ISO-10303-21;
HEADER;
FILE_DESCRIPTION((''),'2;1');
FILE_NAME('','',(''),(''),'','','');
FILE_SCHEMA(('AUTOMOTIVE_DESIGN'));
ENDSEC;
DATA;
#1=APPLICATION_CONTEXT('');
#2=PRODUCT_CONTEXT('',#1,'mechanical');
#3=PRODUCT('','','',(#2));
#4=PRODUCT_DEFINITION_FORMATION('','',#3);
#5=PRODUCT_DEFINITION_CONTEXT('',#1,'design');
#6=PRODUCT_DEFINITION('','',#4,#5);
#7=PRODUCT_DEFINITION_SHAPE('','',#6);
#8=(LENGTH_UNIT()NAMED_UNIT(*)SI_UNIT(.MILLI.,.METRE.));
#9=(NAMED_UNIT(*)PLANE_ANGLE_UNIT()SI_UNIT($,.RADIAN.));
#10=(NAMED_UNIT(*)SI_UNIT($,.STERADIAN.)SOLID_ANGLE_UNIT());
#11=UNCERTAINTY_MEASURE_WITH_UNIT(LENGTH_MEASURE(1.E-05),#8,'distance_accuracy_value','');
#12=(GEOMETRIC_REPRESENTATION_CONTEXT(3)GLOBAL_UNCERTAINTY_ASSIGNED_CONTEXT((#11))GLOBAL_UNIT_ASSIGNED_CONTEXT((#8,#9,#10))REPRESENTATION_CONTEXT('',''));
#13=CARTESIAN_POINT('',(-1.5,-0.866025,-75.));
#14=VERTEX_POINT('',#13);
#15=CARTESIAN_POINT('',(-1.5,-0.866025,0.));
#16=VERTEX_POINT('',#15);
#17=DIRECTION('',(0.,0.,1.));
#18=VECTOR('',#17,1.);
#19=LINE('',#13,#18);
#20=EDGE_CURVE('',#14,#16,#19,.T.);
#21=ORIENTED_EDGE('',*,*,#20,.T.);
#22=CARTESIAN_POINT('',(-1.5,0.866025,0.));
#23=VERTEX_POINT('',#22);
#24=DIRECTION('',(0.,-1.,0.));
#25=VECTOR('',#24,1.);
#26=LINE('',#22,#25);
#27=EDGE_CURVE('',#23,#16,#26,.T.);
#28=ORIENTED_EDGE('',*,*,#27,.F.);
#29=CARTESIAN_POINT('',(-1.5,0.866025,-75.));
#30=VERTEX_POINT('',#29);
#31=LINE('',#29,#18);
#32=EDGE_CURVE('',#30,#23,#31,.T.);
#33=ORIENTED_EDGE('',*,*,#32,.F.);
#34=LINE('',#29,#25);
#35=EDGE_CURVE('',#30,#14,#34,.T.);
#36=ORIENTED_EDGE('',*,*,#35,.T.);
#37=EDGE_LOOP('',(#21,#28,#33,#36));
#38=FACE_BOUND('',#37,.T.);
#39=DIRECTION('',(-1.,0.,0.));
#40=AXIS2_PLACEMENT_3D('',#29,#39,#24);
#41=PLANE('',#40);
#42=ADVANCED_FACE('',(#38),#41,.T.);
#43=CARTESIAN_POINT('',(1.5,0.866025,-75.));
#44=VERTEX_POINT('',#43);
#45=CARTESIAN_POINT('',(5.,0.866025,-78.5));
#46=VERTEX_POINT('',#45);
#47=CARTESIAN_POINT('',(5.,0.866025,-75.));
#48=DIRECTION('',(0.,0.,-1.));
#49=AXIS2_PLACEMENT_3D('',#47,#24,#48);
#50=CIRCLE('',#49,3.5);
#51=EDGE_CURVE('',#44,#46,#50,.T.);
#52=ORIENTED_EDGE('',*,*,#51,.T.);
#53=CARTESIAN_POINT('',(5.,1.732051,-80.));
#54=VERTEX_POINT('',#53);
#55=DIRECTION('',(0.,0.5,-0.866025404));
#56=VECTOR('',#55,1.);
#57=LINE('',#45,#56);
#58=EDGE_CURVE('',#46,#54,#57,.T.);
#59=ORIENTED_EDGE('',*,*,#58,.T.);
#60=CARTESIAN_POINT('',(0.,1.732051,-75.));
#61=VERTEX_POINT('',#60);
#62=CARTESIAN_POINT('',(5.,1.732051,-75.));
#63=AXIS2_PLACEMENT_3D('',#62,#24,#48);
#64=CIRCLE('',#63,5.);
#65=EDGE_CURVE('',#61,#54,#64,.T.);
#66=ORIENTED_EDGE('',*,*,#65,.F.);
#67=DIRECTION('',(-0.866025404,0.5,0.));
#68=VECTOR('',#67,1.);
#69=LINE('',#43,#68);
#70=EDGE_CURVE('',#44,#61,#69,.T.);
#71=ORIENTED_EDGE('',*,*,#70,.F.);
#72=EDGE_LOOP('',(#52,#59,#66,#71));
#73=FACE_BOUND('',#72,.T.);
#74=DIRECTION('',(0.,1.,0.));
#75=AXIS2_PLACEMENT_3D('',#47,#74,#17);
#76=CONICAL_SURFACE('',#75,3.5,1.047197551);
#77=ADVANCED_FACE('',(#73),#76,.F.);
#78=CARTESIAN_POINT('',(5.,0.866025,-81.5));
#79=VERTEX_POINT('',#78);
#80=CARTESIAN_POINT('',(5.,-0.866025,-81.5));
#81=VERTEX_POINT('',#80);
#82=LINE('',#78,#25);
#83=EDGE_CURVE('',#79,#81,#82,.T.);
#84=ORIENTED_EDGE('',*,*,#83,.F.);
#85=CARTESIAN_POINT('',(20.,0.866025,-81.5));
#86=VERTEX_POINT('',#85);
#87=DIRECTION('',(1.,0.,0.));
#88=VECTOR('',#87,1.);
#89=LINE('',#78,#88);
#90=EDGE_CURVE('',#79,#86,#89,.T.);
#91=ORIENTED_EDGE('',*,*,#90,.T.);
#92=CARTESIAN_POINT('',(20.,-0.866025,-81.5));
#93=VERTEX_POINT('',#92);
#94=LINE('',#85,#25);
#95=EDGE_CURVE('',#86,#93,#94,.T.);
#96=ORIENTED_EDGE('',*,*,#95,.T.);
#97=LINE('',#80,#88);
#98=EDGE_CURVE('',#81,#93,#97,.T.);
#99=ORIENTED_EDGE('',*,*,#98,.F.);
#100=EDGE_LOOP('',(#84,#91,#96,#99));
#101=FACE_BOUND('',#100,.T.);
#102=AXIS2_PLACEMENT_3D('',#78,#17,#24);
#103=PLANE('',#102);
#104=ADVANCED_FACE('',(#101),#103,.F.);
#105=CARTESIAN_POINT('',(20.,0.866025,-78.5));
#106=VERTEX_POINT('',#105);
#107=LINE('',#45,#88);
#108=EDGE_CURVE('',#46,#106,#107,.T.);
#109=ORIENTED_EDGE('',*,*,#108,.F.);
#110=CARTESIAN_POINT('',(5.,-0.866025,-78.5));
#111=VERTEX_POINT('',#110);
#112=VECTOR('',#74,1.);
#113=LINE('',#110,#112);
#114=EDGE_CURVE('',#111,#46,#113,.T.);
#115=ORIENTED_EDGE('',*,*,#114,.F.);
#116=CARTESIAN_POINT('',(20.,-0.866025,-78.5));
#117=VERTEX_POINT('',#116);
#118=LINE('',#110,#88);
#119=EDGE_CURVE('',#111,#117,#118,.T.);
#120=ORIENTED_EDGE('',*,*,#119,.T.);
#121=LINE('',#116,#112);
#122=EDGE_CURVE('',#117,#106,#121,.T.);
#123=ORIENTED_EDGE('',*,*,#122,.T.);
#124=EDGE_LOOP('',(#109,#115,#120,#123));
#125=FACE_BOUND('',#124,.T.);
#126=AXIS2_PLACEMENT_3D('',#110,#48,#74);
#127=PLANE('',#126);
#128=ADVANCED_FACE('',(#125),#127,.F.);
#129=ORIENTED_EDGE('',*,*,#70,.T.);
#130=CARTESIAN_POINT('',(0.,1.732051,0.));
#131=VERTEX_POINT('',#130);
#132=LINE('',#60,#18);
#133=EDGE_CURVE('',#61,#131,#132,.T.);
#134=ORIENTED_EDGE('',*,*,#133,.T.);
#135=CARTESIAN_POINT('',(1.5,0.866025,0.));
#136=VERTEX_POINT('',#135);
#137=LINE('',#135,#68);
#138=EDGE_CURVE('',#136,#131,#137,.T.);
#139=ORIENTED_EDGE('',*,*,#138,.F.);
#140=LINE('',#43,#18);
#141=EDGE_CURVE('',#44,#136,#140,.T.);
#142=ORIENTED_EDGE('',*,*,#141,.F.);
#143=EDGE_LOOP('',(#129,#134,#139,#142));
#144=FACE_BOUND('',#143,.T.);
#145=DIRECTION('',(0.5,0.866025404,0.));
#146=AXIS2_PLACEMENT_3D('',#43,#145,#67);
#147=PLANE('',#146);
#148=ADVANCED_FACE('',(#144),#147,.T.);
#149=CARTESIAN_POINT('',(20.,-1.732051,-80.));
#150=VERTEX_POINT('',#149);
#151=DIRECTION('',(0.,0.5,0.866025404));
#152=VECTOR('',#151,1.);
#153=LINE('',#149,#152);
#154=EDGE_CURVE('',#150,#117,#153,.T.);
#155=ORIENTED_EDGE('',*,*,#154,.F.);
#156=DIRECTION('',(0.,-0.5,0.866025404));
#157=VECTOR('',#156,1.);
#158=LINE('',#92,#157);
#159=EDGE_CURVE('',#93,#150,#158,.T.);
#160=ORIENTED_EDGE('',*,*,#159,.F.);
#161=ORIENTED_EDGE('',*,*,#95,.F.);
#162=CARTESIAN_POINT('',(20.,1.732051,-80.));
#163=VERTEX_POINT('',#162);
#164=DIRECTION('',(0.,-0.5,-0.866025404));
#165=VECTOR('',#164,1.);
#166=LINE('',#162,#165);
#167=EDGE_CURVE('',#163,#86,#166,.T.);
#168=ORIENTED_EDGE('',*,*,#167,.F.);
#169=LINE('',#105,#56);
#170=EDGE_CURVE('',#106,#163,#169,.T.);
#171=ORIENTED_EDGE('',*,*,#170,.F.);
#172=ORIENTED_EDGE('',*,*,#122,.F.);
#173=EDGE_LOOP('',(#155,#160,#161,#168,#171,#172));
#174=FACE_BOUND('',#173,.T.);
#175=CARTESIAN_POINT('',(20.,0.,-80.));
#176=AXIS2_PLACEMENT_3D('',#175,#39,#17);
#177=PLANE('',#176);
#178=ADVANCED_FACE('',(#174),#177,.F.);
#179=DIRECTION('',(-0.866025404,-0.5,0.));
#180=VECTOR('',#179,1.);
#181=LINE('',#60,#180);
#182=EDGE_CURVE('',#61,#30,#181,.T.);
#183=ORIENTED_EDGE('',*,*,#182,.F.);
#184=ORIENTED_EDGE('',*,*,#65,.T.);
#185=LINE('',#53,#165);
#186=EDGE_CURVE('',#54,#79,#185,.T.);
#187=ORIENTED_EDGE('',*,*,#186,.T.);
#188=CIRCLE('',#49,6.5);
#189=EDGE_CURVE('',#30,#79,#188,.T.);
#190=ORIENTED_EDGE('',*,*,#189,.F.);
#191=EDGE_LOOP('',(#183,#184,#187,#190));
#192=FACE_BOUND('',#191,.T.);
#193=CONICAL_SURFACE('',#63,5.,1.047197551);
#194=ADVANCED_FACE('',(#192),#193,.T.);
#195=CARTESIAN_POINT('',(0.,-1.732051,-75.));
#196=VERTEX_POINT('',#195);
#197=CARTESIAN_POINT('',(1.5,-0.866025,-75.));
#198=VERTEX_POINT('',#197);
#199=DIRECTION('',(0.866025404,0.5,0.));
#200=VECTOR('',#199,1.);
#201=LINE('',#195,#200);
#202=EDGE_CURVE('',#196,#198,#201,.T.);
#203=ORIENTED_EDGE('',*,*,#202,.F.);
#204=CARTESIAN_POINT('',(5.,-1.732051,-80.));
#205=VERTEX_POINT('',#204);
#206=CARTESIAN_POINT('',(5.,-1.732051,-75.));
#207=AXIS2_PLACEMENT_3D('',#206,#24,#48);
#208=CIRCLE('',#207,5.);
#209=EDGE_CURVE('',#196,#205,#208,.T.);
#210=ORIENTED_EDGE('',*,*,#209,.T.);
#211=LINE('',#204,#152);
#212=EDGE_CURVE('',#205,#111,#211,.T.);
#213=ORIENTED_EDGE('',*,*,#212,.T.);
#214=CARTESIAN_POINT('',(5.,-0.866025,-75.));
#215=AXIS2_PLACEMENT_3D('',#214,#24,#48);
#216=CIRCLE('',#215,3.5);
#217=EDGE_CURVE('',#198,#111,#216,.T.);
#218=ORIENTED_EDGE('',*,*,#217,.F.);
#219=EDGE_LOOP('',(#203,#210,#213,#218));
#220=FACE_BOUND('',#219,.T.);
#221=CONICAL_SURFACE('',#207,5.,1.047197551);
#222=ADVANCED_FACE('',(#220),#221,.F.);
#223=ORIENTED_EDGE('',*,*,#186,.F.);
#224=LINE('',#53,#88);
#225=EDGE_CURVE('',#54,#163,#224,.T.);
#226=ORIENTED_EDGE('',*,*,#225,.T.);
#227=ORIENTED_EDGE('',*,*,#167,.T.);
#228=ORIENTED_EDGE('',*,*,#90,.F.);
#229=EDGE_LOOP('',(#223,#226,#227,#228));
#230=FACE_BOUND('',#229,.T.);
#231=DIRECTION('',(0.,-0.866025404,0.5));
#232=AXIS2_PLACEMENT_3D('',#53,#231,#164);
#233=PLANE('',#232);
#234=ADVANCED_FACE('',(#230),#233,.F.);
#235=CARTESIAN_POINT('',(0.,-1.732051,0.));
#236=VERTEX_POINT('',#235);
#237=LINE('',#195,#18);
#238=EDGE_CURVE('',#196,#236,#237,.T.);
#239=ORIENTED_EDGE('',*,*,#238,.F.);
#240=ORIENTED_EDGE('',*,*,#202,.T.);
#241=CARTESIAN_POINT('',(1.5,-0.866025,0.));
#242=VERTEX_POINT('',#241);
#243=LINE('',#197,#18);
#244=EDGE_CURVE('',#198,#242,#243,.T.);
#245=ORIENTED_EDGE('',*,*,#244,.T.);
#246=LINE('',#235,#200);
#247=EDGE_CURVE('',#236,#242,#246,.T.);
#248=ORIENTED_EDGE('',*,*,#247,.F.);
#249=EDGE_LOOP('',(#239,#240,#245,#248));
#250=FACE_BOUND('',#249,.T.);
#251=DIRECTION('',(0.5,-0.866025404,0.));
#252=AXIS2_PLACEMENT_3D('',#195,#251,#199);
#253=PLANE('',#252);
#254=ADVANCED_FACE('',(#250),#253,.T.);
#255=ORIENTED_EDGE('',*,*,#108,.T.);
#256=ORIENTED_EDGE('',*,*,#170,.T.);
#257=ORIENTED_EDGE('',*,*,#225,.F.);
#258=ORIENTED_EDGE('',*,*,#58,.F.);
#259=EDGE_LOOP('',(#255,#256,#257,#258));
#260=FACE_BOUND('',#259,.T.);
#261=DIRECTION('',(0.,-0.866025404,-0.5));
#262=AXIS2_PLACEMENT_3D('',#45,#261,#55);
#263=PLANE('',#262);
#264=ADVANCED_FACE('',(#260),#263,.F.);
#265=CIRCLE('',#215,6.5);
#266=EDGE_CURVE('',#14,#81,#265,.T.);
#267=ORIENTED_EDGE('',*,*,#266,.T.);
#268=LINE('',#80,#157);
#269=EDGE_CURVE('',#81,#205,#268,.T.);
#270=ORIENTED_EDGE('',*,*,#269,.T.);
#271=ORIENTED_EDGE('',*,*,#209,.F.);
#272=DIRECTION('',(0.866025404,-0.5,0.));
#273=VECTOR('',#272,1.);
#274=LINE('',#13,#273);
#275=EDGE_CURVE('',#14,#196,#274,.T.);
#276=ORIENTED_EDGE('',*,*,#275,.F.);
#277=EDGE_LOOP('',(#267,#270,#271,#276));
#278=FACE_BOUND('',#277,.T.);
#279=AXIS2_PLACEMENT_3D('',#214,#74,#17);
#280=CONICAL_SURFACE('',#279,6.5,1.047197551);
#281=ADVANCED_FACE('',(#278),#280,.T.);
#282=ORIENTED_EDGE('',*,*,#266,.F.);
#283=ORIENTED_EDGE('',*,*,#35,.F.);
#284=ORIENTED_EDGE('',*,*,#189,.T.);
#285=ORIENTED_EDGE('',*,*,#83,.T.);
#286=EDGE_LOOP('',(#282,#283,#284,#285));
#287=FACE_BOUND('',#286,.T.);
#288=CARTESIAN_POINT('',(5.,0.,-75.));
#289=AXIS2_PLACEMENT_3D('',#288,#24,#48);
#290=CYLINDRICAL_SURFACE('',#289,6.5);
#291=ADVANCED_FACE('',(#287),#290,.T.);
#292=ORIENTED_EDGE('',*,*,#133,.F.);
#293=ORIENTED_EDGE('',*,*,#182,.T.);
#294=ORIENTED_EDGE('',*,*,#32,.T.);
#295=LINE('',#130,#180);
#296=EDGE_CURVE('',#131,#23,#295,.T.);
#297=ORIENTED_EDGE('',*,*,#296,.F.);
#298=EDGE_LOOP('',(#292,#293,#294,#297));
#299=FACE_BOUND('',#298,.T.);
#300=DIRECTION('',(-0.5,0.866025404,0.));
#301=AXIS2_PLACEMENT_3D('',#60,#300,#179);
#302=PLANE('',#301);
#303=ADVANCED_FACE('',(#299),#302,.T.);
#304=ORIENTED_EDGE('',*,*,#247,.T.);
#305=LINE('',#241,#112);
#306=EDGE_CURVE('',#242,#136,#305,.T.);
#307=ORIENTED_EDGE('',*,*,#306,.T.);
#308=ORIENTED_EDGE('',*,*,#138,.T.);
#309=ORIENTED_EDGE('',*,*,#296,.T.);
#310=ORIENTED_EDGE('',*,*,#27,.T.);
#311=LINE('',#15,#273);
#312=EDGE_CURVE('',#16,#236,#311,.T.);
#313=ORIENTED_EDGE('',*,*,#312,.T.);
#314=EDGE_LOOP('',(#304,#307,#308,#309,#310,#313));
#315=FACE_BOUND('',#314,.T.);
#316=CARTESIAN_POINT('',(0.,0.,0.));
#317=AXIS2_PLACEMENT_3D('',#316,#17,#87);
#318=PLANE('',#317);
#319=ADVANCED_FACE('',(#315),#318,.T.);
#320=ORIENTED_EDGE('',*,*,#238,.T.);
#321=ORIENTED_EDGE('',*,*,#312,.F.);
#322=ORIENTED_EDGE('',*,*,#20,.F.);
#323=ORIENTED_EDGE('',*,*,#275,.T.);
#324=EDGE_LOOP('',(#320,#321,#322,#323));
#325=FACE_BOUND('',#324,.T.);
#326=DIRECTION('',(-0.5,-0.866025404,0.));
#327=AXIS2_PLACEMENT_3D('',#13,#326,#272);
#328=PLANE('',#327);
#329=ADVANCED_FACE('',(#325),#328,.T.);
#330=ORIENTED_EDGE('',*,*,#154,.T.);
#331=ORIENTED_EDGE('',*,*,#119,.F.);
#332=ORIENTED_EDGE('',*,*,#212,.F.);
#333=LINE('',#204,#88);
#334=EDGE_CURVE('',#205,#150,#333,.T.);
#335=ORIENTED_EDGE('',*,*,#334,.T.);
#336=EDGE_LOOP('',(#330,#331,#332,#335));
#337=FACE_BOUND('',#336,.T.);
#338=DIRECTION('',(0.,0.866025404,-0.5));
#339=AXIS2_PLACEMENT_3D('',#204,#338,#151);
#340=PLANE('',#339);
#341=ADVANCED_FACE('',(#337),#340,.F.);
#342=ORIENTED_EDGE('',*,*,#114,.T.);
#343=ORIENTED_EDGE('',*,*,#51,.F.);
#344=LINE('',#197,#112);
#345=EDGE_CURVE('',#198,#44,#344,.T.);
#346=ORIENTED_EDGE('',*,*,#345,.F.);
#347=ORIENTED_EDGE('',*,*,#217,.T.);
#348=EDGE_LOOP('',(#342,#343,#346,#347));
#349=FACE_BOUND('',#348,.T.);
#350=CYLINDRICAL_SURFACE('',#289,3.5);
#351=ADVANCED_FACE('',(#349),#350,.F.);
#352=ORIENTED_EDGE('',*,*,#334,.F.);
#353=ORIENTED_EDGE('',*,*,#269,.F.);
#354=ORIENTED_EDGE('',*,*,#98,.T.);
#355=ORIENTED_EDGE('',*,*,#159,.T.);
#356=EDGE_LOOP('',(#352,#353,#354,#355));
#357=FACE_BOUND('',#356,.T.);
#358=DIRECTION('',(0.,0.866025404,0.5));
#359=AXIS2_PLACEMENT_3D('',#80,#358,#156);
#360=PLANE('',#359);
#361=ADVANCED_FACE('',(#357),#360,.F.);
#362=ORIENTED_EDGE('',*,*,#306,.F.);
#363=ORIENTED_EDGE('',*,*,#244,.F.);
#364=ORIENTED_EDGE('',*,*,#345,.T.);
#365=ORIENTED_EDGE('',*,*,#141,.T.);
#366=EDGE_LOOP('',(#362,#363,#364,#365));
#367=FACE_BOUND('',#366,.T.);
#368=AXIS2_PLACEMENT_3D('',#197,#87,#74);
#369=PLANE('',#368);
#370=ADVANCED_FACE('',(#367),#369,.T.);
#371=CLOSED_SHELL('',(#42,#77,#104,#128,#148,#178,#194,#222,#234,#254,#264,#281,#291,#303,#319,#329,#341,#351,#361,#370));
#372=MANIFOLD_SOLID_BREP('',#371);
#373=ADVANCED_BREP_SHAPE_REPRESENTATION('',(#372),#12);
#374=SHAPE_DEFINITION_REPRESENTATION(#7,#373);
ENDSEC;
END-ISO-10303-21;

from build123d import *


with BuildPart() as part:
    # Sweep1: sweep along a path in Sketch2
    with BuildLine(Plane(origin=(0, 0, 0), x_dir=(1, 0, 0), z_dir=(0, 1, 0))) as sweep1_path:
        Line((0, 0), (0, 75))
        ThreePointArc((0, 75), (1.464466094, 78.535533906), (5, 80))
        Line((5, 80), (20, 80))
    # Sketch1 → Sweep1 (sweep)
    with BuildSketch(Plane.XY):
        Polygon((-1.5, 0.866025404), (-1.5, -0.866025404), (0, -1.732050808), (1.5, -0.866025404), (1.5, 0.866025404), (0, 1.732050808), align=None)
    sweep(path=sweep1_path.line)


solid = part.part
